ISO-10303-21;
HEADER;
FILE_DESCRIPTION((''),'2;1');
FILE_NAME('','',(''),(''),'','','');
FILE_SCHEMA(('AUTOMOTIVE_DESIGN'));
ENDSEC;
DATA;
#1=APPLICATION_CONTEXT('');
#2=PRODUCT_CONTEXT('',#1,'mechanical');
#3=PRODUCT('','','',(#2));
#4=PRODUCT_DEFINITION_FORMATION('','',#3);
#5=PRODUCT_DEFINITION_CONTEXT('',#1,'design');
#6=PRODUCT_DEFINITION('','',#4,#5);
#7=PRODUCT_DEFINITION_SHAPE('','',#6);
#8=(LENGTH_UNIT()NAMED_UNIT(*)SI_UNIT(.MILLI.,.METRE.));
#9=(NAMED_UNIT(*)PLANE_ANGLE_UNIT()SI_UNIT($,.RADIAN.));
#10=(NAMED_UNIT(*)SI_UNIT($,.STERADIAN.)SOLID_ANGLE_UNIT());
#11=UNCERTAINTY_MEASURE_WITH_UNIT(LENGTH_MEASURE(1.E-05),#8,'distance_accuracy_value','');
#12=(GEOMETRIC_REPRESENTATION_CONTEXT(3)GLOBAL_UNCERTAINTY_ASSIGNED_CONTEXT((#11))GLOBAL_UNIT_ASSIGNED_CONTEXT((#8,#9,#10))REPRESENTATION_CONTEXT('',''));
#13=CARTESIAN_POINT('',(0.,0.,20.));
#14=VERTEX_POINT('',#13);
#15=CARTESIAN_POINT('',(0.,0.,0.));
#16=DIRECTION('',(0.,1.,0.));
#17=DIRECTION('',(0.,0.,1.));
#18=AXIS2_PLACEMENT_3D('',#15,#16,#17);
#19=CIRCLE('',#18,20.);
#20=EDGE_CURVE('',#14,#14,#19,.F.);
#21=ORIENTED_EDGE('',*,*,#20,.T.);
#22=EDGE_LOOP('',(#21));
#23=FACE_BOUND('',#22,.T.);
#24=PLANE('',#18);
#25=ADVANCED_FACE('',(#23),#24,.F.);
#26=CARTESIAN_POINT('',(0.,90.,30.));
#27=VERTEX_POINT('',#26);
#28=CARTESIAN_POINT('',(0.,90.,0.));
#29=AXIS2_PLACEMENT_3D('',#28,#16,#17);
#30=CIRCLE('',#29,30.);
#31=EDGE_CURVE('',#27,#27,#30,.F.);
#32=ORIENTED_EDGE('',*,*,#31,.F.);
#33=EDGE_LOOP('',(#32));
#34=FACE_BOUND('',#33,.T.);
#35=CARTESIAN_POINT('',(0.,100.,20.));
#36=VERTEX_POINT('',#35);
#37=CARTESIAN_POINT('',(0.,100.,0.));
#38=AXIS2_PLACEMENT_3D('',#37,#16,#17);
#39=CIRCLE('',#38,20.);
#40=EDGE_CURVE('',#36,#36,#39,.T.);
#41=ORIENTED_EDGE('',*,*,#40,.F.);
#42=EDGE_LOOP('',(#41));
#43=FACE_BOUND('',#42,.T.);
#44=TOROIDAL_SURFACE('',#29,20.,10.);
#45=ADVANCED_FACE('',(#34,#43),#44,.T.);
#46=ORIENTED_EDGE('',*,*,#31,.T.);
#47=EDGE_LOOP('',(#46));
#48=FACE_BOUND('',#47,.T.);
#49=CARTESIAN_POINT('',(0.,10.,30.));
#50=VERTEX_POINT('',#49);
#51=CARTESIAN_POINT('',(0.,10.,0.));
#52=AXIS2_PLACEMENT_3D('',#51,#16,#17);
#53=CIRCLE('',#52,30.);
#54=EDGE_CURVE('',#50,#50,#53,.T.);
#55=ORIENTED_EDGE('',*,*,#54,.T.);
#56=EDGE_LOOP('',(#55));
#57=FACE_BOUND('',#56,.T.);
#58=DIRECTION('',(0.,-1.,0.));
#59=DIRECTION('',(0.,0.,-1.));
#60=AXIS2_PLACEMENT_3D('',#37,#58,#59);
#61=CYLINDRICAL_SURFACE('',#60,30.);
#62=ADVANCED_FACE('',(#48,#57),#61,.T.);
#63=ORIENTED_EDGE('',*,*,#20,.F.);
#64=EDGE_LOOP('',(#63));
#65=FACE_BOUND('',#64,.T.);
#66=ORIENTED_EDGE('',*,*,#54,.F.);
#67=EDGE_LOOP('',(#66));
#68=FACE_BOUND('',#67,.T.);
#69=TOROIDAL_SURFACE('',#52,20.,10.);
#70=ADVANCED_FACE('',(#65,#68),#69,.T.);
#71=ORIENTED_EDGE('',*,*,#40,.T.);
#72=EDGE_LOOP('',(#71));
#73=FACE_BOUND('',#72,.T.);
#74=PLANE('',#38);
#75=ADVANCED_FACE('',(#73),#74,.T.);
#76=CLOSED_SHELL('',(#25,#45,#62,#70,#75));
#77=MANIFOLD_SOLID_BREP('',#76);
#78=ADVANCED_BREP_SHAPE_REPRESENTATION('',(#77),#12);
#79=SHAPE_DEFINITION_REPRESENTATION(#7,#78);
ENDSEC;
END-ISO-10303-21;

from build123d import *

# Parameters (mm, degrees)
SKETCH_2_R      = 30
EXTRUDE_1_DEPTH = 100
FILLET_1_R      = 10


with BuildPart() as part:
    # 草圖2 → 伸長1 (new body)
    with BuildSketch(Plane(origin=(0, 0, 0), x_dir=(1, 0, 0), z_dir=(0, 1, 0))):
        with Locations(Location((0, 0, 0), (0, 0, 270))):
            Circle(SKETCH_2_R)
    extrude(amount=EXTRUDE_1_DEPTH)

    # 圓角1
    fillet_1_edges = [part.edges().sort_by_distance(p)[0] for p in [
        (0, 0, -30),
        (0, 100, -30),
    ]]
    fillet(fillet_1_edges, radius=FILLET_1_R)


solid = part.part
